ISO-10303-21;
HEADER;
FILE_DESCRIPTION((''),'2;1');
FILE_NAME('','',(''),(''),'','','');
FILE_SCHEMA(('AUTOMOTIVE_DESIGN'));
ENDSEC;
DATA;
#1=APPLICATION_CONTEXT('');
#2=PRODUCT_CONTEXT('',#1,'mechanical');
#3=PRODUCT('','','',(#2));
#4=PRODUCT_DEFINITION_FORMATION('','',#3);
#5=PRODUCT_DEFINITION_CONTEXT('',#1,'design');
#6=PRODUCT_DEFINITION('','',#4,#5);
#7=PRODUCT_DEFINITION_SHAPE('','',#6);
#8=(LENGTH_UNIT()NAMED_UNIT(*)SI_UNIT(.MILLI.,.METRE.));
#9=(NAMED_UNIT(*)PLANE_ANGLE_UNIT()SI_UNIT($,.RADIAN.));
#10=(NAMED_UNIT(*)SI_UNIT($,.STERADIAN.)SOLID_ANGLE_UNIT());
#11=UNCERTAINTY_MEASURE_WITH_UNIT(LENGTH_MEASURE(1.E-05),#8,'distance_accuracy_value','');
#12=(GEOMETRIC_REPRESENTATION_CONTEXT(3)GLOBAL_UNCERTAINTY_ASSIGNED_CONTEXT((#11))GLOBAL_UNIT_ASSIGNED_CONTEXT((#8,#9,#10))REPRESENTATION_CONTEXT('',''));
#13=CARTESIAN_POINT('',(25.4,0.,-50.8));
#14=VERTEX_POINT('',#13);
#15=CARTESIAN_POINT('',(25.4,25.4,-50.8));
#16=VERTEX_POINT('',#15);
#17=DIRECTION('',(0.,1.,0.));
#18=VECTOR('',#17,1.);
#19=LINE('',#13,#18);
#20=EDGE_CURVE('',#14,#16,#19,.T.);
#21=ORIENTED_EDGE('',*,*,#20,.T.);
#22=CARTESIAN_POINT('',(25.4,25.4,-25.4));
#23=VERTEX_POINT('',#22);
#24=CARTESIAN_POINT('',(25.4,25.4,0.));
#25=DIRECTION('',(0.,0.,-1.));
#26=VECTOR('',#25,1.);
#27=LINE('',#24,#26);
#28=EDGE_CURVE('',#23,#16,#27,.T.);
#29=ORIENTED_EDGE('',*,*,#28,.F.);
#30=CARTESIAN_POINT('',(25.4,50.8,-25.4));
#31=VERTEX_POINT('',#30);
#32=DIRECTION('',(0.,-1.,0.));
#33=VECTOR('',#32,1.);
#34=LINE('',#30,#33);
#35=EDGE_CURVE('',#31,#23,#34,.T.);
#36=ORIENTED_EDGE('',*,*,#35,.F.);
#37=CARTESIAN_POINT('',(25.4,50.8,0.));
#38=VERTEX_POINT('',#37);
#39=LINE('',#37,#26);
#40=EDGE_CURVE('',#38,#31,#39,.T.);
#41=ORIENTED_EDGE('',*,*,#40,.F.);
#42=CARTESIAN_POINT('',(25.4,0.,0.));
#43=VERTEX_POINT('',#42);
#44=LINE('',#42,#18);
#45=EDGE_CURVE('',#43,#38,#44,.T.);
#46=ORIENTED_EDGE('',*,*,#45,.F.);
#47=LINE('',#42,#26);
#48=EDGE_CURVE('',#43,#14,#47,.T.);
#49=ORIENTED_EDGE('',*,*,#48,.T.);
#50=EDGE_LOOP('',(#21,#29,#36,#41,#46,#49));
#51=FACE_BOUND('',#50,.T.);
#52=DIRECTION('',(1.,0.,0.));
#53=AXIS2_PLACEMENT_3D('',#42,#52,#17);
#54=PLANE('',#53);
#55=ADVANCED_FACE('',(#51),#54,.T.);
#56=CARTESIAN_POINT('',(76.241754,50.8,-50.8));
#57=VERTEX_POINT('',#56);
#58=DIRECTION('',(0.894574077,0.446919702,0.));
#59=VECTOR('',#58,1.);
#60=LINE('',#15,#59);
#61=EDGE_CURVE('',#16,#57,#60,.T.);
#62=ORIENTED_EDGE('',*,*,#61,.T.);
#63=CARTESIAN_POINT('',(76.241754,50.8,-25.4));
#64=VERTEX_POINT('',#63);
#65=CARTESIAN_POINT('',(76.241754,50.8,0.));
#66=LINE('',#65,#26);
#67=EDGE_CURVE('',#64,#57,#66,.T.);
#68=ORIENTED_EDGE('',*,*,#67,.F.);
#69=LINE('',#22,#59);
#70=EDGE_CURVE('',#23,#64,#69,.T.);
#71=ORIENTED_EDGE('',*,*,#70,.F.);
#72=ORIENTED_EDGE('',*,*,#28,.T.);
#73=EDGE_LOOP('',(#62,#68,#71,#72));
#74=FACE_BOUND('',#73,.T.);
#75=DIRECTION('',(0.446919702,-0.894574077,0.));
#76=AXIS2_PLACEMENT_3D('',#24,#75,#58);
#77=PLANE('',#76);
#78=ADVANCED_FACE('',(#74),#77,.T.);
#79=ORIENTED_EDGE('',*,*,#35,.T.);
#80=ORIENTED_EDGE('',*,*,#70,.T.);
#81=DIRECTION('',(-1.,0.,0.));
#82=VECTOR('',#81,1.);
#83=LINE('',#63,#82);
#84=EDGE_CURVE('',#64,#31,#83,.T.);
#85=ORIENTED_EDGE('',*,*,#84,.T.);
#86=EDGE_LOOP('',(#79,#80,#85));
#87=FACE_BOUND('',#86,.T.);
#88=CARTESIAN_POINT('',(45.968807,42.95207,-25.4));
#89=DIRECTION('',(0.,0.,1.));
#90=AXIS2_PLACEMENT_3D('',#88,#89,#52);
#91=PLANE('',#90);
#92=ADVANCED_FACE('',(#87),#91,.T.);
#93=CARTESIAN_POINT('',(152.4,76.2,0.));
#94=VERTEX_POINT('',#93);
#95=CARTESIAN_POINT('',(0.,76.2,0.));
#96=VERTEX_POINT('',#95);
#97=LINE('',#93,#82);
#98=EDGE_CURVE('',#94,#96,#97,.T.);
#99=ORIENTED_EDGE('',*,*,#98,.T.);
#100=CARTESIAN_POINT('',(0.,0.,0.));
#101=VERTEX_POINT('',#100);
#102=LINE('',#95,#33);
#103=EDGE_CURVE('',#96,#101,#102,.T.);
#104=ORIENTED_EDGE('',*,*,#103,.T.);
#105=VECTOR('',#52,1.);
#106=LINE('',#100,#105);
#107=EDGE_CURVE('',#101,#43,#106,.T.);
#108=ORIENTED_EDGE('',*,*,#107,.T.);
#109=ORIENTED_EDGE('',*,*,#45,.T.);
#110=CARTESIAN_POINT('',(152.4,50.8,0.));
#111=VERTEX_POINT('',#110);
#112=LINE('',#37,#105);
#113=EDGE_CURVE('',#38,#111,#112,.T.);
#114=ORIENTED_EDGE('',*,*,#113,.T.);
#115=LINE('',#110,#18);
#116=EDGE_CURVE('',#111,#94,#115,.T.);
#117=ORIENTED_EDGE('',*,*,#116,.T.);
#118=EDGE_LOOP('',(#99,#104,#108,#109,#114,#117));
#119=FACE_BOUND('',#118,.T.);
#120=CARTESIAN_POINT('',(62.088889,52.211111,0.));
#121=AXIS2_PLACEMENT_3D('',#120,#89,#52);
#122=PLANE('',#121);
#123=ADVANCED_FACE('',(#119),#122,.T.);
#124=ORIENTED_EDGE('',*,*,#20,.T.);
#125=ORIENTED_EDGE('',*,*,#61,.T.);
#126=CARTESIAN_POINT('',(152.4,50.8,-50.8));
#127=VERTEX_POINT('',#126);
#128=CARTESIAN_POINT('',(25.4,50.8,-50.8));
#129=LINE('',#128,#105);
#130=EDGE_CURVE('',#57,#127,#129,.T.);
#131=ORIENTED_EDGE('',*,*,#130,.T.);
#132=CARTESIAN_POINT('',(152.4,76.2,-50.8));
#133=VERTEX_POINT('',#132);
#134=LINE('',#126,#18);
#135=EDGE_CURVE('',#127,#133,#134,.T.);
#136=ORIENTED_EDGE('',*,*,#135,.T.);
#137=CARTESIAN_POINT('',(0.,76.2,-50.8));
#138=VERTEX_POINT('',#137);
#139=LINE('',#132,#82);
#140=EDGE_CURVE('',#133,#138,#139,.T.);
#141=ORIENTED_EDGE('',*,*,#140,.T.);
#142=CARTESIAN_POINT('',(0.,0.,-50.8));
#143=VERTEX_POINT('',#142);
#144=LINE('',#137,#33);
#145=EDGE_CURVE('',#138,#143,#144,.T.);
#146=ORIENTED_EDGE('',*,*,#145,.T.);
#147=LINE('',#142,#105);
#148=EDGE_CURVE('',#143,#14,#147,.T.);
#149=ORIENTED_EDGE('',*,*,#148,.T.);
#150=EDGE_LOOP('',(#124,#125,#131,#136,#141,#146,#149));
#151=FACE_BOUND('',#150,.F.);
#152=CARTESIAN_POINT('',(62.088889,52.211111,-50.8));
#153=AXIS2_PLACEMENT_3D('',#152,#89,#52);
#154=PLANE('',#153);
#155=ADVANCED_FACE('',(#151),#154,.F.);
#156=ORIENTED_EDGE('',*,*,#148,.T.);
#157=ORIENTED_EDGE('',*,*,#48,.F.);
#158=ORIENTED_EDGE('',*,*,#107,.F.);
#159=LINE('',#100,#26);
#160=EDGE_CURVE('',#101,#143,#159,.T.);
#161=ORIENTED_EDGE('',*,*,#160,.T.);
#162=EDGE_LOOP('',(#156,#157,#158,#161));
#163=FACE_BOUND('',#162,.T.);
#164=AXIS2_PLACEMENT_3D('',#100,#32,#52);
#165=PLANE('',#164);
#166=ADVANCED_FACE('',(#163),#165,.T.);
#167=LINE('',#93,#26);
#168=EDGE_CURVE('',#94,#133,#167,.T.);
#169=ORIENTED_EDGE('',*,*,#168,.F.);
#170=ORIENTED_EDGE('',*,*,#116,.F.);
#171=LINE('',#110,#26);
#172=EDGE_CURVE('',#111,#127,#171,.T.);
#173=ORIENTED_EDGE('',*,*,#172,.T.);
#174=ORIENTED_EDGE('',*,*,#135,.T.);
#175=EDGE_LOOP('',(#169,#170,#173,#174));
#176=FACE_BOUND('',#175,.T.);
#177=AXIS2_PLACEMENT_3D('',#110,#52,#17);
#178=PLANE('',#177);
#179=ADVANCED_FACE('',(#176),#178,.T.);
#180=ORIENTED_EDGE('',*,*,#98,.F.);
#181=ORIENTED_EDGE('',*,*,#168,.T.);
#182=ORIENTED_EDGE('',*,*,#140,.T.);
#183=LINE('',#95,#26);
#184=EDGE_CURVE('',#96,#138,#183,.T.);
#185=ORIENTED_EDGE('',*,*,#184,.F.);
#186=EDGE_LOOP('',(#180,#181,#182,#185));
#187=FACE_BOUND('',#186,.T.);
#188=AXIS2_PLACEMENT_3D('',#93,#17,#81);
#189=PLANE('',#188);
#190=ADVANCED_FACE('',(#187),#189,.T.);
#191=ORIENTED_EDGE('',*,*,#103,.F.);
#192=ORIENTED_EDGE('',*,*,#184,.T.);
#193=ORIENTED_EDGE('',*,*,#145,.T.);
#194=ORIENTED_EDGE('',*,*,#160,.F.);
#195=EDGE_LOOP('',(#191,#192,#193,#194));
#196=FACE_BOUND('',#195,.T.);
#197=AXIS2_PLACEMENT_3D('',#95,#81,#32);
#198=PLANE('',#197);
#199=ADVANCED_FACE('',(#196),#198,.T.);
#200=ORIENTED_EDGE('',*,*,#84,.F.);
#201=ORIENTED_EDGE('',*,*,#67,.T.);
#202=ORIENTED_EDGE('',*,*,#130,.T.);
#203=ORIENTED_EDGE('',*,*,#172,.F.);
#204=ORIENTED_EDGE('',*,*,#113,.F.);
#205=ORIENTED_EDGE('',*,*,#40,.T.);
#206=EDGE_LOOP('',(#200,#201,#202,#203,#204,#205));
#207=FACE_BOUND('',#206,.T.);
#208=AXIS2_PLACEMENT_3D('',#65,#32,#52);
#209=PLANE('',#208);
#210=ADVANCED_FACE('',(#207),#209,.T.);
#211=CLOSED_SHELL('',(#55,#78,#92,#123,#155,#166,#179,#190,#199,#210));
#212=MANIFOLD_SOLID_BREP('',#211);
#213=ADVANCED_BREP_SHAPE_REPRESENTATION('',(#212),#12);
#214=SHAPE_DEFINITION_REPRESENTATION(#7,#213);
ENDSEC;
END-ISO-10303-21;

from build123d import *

# Parameters (mm, degrees)
F1_DEPTH = 50.8
F3_DEPTH = 25.4


with BuildPart() as f1:
    # F0 (on Top) → F1 (new body)
    with BuildSketch(Plane.XY):
        Polygon((0, 76.2), (0, 0), (25.4, 0), (25.4, 25.4), (25.4, 50.8), (76.241754, 50.8), (152.4, 50.8), (152.4, 76.2), align=None)
        Polygon((25.4, 50.8), (25.4, 25.4), (76.241754, 50.8), align=None)
    extrude(amount=-F1_DEPTH)

    # F2 (on face) → F3 (cut)
    with BuildSketch(Plane.XY):
        Polygon((25.4, 50.8), (25.4, 25.4), (76.241754, 50.8), align=None)
    extrude(amount=-F3_DEPTH, mode=Mode.SUBTRACT)


solid = f1.part
